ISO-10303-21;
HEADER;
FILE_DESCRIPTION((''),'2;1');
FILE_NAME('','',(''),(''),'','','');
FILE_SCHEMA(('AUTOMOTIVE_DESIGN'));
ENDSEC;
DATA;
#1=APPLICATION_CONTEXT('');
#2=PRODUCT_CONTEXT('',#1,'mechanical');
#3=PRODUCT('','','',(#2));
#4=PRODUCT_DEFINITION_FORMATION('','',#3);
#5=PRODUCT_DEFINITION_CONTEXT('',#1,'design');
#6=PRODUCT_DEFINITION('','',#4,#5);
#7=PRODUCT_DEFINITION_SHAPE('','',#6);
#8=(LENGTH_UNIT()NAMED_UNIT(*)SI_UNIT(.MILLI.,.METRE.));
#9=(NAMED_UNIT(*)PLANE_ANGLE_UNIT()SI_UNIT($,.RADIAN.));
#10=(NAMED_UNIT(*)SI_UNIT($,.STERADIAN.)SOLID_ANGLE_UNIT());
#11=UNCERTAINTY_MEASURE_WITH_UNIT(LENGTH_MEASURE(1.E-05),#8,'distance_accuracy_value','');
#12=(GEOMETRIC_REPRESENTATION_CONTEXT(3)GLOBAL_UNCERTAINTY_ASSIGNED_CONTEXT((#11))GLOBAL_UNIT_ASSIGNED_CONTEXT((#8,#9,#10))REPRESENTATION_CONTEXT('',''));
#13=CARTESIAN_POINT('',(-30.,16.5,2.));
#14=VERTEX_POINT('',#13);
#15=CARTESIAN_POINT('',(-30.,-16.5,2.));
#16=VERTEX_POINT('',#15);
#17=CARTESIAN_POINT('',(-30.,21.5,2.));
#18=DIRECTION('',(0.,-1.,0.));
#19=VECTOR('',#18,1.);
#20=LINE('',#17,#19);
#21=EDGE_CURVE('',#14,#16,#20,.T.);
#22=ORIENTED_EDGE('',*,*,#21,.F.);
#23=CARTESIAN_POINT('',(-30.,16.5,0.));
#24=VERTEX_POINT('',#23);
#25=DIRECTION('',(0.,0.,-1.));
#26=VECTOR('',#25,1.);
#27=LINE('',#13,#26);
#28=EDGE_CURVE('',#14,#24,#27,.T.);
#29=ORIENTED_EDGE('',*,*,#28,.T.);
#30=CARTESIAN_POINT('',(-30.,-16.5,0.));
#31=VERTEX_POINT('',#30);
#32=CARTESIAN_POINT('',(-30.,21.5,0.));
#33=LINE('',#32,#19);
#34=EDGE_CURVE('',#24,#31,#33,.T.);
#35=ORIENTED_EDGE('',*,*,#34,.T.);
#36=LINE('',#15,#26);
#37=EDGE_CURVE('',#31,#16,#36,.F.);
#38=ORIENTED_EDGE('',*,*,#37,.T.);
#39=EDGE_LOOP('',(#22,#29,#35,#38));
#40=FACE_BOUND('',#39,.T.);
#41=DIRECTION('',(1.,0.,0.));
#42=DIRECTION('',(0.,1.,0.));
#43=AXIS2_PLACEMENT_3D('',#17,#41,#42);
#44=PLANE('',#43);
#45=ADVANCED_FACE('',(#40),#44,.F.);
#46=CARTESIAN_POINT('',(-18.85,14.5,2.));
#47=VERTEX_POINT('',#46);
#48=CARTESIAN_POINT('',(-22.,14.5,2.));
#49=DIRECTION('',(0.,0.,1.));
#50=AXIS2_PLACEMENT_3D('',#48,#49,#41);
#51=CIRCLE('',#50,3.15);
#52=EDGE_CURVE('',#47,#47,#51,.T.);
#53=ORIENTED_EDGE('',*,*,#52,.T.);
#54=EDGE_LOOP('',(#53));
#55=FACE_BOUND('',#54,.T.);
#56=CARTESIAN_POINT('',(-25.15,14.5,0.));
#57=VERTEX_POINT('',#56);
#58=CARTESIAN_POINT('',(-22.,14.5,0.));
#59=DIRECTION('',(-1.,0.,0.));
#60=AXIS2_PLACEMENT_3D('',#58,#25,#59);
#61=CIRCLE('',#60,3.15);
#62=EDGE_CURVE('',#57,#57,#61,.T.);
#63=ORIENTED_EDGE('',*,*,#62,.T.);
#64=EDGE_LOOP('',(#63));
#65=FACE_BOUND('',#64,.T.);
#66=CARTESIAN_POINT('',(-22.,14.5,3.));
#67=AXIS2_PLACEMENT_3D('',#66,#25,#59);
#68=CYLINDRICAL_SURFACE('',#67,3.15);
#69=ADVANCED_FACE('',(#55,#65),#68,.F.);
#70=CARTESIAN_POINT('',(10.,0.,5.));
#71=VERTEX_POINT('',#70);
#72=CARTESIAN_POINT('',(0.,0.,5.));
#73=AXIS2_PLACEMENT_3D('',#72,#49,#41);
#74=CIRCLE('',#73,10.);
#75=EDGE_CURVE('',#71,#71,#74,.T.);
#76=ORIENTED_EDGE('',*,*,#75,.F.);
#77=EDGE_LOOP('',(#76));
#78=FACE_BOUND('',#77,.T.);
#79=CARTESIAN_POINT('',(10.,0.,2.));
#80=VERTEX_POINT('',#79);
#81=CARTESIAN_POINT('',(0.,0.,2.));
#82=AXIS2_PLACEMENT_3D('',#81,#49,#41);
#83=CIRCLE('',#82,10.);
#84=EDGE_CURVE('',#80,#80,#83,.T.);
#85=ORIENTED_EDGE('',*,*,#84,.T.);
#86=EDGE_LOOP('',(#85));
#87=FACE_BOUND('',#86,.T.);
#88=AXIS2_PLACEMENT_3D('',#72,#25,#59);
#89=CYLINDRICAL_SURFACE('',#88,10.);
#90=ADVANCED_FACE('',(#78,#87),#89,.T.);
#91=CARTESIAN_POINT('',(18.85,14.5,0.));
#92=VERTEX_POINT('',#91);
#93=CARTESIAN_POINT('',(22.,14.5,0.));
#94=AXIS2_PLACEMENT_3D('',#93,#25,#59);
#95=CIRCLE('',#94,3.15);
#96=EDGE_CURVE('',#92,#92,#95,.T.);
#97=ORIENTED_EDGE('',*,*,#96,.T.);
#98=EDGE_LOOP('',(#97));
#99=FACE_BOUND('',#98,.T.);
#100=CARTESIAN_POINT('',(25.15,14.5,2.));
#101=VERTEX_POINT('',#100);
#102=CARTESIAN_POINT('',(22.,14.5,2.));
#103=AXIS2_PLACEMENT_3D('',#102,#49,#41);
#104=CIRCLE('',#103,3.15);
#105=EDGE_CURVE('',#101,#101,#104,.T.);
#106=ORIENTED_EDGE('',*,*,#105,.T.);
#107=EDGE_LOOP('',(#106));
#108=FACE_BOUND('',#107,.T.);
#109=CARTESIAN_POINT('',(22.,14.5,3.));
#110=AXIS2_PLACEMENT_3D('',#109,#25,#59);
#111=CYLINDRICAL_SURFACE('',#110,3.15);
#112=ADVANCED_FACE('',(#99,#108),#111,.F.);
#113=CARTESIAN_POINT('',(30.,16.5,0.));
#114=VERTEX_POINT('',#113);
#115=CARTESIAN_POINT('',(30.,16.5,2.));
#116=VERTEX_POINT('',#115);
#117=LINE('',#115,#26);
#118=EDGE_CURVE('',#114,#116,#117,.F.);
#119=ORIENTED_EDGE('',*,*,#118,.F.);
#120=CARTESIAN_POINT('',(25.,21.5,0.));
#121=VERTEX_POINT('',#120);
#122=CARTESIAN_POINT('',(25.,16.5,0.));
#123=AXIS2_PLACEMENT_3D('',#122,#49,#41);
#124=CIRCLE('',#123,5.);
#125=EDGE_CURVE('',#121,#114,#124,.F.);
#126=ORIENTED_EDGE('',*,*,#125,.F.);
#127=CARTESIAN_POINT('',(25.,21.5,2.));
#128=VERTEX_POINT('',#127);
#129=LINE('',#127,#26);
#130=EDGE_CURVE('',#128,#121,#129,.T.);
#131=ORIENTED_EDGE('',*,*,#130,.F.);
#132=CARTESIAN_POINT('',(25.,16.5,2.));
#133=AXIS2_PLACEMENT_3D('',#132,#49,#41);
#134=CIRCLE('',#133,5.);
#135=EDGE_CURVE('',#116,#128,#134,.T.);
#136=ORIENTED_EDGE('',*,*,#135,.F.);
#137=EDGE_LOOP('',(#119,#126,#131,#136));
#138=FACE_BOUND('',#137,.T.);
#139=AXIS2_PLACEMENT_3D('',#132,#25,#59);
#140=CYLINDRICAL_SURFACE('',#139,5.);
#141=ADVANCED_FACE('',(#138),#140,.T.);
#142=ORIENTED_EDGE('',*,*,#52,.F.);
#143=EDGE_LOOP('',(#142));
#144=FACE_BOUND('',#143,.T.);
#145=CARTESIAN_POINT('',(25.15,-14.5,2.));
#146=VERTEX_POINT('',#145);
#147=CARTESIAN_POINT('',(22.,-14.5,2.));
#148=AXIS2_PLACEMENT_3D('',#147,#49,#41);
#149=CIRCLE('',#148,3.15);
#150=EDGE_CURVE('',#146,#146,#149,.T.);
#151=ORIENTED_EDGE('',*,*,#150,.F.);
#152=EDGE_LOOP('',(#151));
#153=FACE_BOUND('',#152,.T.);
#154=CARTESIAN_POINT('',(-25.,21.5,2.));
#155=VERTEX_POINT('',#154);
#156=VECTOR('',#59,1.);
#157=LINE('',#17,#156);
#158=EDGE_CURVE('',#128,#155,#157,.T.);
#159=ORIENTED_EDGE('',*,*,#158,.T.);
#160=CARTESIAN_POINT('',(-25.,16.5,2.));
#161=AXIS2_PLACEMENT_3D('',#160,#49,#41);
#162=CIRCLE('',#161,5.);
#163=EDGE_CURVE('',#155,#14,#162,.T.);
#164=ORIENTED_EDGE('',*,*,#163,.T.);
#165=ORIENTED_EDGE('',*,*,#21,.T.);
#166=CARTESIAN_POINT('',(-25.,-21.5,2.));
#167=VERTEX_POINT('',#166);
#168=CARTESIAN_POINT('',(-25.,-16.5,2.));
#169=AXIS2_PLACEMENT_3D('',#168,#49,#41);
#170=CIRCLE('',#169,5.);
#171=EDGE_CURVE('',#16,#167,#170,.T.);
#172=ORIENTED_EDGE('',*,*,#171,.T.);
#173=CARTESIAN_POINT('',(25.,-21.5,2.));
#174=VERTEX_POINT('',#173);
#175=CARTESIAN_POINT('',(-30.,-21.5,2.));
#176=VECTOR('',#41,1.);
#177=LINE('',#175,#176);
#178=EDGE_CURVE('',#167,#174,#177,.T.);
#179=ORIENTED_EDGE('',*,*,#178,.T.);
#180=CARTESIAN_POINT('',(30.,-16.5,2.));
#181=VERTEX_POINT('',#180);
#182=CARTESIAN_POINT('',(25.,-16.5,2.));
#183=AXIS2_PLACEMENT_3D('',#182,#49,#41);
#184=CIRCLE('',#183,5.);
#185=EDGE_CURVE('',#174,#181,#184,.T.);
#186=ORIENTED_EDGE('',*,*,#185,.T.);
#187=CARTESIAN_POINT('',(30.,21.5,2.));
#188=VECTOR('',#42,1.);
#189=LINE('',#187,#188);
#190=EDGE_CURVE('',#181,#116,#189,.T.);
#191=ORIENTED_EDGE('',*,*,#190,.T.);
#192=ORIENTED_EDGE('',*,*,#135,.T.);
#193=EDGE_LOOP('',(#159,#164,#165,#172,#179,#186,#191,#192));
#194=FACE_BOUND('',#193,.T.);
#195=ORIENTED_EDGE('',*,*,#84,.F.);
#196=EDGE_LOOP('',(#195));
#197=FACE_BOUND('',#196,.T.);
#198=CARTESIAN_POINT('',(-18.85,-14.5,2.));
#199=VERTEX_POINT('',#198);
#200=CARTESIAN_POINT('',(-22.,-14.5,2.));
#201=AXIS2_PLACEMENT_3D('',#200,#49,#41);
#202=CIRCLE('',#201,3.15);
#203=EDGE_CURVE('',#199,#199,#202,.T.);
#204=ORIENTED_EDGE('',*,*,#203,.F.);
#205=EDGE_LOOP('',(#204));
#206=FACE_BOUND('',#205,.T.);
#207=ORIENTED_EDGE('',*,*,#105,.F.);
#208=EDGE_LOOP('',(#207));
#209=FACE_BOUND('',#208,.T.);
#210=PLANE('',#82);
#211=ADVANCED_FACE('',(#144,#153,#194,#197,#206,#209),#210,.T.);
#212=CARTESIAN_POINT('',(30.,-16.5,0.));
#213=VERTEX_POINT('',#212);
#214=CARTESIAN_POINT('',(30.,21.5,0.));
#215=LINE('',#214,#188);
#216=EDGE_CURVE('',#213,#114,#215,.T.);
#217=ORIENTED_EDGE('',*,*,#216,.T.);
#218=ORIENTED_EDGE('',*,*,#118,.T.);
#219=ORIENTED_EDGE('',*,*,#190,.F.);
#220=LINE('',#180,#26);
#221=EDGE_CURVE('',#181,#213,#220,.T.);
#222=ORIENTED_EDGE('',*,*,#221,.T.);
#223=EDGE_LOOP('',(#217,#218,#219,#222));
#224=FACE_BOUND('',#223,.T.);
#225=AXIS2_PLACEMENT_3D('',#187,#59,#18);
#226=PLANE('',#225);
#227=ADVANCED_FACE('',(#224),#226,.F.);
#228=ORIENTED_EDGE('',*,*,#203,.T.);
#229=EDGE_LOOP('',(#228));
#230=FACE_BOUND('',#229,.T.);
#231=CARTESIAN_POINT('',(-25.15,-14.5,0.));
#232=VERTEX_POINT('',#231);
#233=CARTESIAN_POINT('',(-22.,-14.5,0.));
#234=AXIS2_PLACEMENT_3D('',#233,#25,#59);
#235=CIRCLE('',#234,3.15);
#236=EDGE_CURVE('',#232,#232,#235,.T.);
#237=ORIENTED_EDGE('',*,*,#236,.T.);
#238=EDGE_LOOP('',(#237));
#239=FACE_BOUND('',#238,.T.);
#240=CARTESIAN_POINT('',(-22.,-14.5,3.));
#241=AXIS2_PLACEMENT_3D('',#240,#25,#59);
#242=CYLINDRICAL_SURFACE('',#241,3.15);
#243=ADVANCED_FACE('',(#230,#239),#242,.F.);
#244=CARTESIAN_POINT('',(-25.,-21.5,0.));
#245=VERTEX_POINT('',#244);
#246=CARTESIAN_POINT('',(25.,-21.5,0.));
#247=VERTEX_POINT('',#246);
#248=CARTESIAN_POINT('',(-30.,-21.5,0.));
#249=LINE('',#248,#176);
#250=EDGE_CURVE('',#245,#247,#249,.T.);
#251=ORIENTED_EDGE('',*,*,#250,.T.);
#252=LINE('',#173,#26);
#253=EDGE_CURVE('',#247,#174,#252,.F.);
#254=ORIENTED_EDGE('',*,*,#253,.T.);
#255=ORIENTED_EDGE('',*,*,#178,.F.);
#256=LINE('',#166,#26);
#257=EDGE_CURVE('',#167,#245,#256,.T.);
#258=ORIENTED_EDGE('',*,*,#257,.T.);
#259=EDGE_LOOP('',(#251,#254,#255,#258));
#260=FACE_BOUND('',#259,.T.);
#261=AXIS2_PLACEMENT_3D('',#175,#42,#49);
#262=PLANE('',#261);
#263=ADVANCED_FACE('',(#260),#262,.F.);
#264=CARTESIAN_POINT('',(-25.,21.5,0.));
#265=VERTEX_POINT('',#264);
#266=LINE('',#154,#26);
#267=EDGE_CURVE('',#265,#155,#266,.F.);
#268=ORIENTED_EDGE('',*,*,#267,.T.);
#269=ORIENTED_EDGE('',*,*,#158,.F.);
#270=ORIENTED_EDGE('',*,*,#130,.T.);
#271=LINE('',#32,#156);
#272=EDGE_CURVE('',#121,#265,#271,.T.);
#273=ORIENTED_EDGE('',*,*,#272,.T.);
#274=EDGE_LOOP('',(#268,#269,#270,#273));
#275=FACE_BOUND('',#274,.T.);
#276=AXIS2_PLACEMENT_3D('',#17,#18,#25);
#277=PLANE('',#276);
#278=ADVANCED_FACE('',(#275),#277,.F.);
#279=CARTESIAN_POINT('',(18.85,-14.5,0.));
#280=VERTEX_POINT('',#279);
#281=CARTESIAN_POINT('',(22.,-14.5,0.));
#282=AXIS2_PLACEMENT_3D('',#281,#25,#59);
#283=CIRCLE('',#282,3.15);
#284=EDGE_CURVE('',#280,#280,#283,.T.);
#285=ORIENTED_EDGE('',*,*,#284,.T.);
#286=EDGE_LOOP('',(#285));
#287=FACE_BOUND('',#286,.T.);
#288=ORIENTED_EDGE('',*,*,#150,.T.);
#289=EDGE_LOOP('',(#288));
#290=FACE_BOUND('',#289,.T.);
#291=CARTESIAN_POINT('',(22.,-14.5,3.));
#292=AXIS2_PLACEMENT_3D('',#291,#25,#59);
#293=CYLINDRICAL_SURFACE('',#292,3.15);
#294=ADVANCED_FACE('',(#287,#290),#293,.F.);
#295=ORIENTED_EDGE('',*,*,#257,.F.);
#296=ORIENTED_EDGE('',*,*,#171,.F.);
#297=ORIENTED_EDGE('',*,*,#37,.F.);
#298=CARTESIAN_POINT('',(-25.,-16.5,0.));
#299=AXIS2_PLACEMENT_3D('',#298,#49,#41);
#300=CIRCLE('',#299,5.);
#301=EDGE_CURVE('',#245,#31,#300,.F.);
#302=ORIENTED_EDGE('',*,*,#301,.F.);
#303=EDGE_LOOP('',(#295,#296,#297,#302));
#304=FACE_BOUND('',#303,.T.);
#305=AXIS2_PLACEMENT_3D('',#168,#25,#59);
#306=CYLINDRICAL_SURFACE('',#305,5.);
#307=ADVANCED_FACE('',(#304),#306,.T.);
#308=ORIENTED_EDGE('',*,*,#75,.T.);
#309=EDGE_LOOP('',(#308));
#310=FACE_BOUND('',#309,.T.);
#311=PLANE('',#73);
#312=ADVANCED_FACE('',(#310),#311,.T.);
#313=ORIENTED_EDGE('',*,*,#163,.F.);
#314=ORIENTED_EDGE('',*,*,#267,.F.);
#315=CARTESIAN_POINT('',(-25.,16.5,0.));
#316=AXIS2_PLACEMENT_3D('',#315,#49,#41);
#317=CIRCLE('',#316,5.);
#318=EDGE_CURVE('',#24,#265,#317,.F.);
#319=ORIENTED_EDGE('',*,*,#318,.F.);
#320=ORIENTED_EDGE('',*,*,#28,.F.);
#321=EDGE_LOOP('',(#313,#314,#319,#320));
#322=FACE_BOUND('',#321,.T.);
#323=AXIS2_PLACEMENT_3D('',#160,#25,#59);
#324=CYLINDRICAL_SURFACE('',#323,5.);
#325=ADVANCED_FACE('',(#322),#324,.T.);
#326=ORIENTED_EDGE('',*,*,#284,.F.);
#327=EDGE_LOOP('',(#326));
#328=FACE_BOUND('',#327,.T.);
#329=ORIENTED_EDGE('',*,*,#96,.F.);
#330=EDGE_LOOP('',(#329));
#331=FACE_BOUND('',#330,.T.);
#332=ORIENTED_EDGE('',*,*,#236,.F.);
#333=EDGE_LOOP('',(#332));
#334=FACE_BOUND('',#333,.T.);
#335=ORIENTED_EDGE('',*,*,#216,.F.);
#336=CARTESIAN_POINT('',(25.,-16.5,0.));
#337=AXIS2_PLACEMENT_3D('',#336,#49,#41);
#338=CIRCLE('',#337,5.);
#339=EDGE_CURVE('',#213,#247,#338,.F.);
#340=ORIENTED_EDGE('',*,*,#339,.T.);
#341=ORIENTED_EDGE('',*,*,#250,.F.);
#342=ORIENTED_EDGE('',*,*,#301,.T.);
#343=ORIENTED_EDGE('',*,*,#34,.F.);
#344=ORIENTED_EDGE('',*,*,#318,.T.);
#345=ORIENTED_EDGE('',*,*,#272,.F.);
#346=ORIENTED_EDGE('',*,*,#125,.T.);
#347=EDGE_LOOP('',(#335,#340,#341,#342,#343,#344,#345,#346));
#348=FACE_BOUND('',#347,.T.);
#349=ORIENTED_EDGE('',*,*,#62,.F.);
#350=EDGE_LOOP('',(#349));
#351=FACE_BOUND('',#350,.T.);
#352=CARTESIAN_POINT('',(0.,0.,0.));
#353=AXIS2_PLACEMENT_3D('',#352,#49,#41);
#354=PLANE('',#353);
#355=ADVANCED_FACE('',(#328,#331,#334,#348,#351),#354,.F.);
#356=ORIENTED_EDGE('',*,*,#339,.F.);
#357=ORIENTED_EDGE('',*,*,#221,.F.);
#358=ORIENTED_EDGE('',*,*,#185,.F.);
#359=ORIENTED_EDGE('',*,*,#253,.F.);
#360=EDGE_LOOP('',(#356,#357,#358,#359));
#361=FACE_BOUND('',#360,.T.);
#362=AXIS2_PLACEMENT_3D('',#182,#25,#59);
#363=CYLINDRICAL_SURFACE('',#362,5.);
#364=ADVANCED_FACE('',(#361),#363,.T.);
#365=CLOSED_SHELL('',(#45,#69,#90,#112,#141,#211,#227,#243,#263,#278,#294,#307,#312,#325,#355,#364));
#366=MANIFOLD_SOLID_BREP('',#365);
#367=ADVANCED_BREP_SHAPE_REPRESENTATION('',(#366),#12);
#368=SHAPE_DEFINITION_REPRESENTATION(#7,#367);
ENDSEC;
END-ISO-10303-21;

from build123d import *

# Parameters (mm, degrees)
SKETCH_1_W          = 60
SKETCH_1_H          = 43
EXTRUDE_1_DEPTH     = 2
SKETCH_2_R          = 10
EXTRUDE_2_DEPTH     = 3
FILLET_1_R          = 5
SKETCH_3_R          = 3.15
CUT_EXTRUDE_1_DEPTH = 3


with BuildPart() as part:
    # 草图1 → 凸台-拉伸1 (new body)
    with BuildSketch(Plane.XY):
        Rectangle(SKETCH_1_W, SKETCH_1_H)
    extrude(amount=EXTRUDE_1_DEPTH)

    # 草图2 → 凸台-拉伸2 (add)
    with BuildSketch(Plane.XY.offset(2)):
        Circle(SKETCH_2_R)
    extrude(amount=EXTRUDE_2_DEPTH)

    # 圆角1
    fillet_1_edges = [part.edges().sort_by_distance(p)[0] for p in [
        (-30, 21.5, 1),
        (30, 21.5, 1),
        (30, -21.5, 1),
        (-30, -21.5, 1),
    ]]
    fillet(fillet_1_edges, radius=FILLET_1_R)

    # 草图3 → 切除-拉伸1 (cut)
    with BuildSketch(Plane(origin=(0, 0, 0), x_dir=(-1, 0, 0), z_dir=(0, 0, -1))):
        with Locations((22, 14.5)):
            Circle(SKETCH_3_R)
        with Locations((22, -14.5)):
            Circle(SKETCH_3_R)
        with Locations((-22, 14.5)):
            Circle(SKETCH_3_R)
        with Locations((-22, -14.5)):
            Circle(SKETCH_3_R)
    extrude(amount=-CUT_EXTRUDE_1_DEPTH, mode=Mode.SUBTRACT)


solid = part.part
